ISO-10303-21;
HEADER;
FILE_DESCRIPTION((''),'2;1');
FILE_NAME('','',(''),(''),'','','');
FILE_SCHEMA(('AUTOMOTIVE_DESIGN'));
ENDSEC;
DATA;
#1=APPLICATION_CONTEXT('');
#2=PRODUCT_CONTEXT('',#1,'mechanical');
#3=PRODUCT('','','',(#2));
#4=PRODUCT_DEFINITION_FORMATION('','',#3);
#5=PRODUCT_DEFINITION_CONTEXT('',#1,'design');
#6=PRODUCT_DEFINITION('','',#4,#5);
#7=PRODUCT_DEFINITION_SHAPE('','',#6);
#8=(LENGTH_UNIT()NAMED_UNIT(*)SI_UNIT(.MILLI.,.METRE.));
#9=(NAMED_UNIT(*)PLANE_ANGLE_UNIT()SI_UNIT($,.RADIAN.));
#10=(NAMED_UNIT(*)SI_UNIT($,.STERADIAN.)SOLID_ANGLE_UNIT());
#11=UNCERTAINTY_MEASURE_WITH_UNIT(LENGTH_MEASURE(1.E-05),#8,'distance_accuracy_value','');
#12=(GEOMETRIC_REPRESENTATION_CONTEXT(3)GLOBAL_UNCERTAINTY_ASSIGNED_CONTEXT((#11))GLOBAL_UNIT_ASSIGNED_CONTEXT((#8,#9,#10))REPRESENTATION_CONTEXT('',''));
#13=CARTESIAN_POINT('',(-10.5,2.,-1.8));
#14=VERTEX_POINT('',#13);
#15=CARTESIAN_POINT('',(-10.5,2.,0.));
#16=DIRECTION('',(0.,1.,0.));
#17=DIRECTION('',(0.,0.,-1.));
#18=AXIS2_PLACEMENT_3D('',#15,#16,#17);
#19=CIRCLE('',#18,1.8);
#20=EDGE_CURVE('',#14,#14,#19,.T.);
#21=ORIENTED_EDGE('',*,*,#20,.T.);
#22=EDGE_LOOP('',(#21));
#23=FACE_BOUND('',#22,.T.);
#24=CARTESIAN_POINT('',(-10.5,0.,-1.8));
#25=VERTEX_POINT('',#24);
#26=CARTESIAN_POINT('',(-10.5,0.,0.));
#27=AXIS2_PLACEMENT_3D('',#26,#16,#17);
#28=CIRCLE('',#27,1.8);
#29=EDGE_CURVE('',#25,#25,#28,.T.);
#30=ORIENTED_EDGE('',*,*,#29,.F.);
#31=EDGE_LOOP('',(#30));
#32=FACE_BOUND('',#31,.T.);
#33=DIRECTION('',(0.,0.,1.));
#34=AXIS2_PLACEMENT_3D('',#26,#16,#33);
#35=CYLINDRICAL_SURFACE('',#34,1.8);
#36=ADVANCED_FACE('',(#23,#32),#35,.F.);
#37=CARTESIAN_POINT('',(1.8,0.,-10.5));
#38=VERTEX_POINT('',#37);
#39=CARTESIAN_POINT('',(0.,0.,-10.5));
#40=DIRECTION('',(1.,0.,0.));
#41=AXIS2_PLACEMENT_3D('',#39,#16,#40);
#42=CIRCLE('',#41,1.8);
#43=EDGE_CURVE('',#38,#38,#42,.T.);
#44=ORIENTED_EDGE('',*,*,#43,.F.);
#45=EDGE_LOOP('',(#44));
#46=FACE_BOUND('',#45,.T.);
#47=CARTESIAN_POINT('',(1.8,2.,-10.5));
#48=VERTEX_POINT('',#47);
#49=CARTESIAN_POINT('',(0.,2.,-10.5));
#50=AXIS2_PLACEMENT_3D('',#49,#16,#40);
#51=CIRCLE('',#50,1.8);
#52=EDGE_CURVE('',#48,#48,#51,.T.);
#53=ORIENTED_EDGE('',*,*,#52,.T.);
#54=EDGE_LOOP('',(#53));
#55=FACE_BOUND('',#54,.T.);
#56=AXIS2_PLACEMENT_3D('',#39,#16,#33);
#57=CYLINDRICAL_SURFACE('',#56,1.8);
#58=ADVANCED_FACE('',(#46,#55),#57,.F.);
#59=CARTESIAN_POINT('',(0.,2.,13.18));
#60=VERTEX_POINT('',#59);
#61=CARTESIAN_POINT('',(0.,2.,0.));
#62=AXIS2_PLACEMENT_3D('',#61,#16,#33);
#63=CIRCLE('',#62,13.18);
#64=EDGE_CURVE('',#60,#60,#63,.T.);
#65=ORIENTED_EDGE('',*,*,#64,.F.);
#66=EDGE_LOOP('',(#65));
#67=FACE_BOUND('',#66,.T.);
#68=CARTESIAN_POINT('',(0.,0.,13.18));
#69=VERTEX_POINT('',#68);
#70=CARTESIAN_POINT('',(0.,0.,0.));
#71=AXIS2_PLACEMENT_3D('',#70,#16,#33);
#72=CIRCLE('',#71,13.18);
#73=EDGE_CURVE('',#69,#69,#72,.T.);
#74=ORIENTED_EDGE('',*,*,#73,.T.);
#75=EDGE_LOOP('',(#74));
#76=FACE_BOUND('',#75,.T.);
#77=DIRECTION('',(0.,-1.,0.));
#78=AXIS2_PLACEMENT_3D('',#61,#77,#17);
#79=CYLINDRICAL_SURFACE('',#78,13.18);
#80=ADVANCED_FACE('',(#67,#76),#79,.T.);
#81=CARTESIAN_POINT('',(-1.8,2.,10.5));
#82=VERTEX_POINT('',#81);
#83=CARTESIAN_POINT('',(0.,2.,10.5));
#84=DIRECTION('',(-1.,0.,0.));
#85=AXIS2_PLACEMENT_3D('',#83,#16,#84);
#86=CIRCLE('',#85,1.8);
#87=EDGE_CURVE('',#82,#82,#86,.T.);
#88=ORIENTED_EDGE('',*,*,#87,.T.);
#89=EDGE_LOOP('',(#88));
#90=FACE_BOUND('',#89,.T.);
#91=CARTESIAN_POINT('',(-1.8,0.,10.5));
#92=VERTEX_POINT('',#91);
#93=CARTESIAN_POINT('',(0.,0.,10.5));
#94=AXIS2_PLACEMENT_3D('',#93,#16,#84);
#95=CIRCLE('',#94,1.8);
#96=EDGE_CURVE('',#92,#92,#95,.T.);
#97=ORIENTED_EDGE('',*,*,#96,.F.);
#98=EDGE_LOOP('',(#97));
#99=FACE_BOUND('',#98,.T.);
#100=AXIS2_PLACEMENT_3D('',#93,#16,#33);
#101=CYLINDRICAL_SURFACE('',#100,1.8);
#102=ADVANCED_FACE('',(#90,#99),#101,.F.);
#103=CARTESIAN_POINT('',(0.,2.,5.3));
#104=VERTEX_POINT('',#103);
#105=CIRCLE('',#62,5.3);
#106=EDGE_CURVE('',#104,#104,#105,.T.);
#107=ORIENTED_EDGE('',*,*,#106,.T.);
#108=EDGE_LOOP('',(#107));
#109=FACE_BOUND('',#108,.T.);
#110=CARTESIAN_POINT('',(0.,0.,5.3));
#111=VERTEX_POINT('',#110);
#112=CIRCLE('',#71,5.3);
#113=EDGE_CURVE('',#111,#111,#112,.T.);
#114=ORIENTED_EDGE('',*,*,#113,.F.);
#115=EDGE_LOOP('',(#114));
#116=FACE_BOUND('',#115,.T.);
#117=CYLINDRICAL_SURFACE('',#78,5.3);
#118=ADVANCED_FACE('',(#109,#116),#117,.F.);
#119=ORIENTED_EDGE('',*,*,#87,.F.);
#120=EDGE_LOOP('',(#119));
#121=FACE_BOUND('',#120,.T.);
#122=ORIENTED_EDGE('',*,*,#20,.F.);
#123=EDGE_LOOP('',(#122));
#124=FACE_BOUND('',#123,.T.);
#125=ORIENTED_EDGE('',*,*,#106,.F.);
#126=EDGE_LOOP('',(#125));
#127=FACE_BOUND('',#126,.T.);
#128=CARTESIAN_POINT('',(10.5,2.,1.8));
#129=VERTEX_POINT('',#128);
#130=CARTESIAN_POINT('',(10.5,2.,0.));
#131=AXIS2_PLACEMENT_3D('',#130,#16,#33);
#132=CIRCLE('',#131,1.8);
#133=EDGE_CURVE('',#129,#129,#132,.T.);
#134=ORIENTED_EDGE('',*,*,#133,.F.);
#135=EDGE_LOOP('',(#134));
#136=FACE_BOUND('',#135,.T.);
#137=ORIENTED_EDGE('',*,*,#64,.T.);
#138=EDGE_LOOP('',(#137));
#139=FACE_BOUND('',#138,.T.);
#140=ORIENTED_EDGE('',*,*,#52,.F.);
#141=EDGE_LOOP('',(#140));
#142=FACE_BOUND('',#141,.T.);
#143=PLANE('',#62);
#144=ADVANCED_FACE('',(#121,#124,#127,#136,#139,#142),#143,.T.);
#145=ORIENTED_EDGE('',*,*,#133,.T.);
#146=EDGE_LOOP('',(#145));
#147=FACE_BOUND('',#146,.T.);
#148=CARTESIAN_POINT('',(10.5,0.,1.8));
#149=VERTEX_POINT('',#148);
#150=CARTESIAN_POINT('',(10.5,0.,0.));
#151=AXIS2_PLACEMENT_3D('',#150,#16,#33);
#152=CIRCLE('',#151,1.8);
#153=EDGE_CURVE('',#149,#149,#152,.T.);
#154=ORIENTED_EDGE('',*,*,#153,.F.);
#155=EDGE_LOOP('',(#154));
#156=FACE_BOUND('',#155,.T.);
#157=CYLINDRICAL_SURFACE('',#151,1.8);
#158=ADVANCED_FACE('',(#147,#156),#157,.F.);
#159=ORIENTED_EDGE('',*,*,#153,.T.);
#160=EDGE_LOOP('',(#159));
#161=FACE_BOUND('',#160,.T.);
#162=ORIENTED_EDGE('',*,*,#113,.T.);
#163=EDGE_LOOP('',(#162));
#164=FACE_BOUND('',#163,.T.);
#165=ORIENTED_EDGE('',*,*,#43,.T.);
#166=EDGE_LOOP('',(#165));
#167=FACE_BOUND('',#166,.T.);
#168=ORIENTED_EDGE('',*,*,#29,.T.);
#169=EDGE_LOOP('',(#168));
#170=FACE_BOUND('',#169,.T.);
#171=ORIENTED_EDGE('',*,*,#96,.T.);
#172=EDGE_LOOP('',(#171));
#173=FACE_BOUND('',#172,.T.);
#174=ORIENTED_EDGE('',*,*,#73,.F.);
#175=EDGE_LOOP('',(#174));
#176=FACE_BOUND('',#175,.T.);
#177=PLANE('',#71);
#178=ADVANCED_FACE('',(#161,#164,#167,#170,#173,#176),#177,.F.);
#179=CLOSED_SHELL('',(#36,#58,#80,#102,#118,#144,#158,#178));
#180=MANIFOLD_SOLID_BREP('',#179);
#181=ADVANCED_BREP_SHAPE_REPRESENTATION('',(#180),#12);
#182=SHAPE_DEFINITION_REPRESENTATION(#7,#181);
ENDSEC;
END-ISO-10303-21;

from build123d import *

# Parameters (mm, degrees)
CROQUIS1_R              = 13.18
CROQUIS1_R_2            = 5.3
SALIENTE_EXTRUIR1_DEPTH = 2
CROQUIS2_R              = 1.8
CORTAR_EXTRUIR1_DEPTH   = 2
MATRIZC1_COUNT          = 4


with BuildPart() as part:
    # Croquis1 → Saliente-Extruir1 (new body)
    with BuildSketch(Plane(origin=(0, 0, 0), x_dir=(1, 0, 0), z_dir=(0, 1, 0))):
        Circle(CROQUIS1_R)
        Circle(CROQUIS1_R_2, mode=Mode.SUBTRACT)
    extrude(amount=SALIENTE_EXTRUIR1_DEPTH)

    # Croquis2 → Cortar-Extruir1 (cut)
    with BuildSketch(Plane(origin=(0, 2, 0), x_dir=(1, 0, 0), z_dir=(0, 1, 0))):
        with Locations((10.5, 0)):
            Circle(CROQUIS2_R)
    cortar_extruir1 = extrude(amount=-CORTAR_EXTRUIR1_DEPTH, mode=Mode.SUBTRACT)

    # MatrizC1: Cortar-Extruir1 ×4 about axis
    matrizc1_axis = Axis((0, 0, 0), (0, 1, 0))
    for i in range(1, MATRIZC1_COUNT):
        add(cortar_extruir1.rotate(matrizc1_axis, i * 360 / MATRIZC1_COUNT), mode=Mode.SUBTRACT)


solid = part.part
